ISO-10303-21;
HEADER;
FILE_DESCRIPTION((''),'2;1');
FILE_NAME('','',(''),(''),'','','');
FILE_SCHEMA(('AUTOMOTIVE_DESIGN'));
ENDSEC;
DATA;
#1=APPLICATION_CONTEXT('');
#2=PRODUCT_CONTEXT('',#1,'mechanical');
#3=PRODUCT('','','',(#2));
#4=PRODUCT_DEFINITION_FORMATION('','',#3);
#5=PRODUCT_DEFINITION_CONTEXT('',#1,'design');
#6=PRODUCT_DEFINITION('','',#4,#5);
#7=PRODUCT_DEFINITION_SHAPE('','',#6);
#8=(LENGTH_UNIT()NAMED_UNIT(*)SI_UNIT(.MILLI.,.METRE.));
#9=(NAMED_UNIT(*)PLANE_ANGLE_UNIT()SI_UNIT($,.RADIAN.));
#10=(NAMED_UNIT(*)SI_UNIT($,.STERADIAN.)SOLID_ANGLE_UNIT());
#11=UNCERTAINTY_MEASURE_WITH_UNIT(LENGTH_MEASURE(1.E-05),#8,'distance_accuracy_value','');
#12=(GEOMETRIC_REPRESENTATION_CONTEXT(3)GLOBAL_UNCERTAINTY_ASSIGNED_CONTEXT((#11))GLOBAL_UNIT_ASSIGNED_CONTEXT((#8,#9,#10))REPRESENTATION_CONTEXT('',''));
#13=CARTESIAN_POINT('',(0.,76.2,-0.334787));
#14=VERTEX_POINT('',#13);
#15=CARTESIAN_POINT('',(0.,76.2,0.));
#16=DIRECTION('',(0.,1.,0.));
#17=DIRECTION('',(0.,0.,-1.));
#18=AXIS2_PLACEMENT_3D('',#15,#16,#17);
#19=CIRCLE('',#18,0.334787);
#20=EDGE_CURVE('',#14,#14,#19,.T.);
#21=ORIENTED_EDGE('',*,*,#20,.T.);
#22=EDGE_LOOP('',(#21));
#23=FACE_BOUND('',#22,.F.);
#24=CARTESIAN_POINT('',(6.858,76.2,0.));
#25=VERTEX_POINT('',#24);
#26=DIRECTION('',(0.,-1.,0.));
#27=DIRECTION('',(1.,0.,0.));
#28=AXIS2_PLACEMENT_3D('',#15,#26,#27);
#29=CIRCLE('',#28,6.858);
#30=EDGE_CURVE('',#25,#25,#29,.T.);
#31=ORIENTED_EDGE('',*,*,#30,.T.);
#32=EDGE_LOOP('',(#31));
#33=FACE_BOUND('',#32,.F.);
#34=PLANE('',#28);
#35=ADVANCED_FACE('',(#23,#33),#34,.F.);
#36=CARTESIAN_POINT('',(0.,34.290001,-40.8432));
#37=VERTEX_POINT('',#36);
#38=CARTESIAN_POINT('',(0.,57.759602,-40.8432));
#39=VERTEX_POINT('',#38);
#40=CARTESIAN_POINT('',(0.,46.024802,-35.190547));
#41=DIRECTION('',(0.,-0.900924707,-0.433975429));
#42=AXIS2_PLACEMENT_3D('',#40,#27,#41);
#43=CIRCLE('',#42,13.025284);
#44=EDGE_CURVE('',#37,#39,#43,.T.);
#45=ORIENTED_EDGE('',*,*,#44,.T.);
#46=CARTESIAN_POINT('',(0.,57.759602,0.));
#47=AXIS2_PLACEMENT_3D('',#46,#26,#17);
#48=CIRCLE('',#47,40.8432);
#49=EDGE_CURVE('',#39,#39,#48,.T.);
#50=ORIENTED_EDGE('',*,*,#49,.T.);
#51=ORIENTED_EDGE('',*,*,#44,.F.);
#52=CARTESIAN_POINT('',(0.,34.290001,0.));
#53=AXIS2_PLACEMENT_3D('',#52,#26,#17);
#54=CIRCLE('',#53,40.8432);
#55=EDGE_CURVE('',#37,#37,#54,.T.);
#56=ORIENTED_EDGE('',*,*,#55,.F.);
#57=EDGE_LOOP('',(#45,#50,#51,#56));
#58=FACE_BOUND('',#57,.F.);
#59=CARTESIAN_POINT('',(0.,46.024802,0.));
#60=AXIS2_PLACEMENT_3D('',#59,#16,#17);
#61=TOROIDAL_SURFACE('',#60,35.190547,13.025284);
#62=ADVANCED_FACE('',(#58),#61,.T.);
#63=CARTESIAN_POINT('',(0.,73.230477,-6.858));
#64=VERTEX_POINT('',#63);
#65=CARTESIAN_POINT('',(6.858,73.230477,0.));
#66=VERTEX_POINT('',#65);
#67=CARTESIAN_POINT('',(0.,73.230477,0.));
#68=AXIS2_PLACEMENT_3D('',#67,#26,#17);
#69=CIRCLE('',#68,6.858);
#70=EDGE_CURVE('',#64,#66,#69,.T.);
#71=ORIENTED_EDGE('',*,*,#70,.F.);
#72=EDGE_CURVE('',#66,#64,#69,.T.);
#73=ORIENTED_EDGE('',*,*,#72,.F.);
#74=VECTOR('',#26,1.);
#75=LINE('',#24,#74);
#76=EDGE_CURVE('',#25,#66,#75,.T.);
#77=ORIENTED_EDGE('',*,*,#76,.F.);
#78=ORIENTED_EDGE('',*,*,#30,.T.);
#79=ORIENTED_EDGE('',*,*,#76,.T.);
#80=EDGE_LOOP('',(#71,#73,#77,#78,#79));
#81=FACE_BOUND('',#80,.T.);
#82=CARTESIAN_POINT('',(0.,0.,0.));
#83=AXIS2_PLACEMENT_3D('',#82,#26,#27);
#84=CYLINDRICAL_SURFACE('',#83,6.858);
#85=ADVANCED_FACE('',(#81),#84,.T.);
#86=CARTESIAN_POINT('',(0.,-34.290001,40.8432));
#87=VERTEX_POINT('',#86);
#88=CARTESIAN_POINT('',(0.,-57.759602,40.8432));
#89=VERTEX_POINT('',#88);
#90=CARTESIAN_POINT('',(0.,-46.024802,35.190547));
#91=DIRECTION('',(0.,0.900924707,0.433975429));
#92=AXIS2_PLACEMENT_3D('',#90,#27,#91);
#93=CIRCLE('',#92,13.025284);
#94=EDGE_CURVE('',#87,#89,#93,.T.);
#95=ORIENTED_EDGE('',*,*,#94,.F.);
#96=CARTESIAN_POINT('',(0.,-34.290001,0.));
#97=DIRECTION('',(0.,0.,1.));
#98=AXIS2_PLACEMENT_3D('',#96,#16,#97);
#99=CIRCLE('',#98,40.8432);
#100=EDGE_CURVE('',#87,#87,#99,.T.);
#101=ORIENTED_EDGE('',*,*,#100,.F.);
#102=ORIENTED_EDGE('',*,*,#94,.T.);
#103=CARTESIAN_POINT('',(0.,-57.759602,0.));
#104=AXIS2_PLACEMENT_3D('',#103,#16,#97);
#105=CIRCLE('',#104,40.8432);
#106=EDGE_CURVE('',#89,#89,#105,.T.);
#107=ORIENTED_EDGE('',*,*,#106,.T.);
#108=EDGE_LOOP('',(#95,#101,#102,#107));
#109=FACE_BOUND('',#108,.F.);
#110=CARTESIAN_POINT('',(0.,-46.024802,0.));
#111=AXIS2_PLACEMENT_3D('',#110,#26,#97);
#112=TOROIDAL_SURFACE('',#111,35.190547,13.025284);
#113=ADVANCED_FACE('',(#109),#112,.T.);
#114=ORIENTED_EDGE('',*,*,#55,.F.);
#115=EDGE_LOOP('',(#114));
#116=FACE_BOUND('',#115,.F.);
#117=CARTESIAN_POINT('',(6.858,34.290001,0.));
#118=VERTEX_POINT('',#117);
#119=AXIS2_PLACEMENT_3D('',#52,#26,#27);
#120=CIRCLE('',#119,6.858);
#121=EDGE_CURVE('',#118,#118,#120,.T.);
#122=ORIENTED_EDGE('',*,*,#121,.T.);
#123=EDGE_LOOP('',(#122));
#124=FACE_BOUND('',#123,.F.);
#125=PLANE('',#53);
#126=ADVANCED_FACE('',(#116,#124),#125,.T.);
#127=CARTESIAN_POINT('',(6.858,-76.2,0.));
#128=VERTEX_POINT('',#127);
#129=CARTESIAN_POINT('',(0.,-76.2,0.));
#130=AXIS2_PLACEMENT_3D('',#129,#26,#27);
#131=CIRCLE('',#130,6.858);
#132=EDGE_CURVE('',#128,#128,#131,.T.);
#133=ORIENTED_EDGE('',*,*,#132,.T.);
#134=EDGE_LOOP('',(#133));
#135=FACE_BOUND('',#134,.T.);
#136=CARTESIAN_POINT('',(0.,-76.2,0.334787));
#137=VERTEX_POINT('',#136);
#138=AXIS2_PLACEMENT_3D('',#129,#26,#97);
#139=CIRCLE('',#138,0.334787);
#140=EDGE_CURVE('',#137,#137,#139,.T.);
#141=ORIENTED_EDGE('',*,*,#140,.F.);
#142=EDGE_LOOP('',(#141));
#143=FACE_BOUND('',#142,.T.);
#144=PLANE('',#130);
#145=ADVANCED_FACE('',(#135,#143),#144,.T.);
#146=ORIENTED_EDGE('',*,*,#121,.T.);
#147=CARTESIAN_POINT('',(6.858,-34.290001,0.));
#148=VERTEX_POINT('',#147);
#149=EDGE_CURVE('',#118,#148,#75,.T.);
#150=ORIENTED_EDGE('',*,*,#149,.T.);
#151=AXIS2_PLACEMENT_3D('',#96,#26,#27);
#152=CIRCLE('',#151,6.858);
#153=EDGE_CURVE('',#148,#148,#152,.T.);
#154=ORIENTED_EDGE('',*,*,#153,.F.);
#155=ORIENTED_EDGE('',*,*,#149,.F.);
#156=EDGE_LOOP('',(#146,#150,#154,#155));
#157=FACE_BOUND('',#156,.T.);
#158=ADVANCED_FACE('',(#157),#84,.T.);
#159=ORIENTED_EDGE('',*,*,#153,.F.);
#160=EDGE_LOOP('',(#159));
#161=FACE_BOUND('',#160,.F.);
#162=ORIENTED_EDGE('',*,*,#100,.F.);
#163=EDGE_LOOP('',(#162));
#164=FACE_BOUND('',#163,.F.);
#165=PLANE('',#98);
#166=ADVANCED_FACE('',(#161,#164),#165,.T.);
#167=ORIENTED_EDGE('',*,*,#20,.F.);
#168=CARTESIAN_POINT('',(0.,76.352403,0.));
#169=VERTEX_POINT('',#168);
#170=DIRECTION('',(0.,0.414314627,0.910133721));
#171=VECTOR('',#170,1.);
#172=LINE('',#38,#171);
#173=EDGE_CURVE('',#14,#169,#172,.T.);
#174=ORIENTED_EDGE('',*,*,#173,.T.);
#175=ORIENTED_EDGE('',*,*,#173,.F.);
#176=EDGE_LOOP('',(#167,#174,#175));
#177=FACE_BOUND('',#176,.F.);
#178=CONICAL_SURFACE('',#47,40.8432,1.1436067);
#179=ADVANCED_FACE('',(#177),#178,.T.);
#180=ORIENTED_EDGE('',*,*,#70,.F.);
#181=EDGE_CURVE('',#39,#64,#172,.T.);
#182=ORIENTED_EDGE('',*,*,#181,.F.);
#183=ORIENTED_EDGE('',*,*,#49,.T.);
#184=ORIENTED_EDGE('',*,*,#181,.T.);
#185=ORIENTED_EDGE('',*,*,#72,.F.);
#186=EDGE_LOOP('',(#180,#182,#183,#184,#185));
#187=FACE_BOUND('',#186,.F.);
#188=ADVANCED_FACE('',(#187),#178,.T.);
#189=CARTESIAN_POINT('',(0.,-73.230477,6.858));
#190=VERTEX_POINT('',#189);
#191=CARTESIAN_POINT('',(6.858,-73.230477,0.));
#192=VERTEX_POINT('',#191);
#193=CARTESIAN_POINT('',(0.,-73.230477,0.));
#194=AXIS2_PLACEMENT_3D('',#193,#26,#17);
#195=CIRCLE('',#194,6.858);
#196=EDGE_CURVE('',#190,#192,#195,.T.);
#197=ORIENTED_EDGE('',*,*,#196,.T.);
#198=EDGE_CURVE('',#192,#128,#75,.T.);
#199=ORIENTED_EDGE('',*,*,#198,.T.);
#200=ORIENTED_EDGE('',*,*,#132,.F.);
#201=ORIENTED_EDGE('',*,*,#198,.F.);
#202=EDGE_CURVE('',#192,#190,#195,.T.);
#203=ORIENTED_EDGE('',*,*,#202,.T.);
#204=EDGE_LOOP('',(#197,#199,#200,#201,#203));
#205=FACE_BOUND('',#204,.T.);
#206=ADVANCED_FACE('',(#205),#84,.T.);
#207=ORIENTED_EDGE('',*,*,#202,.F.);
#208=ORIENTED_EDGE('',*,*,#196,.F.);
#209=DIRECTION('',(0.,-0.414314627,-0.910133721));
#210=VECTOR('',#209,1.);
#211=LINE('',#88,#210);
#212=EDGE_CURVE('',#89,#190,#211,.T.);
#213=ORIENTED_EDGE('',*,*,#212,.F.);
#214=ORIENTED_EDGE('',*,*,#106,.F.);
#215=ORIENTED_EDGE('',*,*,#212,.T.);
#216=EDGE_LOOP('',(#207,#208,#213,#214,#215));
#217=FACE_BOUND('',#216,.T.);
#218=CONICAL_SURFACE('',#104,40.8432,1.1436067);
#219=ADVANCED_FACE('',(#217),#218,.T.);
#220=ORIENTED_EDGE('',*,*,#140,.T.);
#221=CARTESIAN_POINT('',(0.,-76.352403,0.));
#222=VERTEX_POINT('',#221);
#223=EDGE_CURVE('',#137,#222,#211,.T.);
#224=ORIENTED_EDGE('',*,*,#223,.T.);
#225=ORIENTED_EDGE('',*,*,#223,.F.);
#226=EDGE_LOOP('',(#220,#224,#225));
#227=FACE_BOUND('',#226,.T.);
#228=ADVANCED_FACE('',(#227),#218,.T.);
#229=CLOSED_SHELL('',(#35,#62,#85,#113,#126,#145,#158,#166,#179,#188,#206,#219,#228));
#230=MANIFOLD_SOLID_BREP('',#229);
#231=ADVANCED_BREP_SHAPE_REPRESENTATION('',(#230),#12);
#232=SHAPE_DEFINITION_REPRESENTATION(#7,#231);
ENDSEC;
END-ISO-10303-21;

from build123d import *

# Parameters (mm, degrees)
F0_R          = 6.858
F1_DEPTH      = 76.2
F1_DEPTH_BACK = 76.2


with BuildPart() as f1:
    # F0 (on Front) → F1 (new body, two sides)
    with BuildSketch(Plane.XZ) as f1_sk:
        Circle(F0_R)
    extrude(amount=F1_DEPTH)
    extrude(f1_sk.sketch, amount=-F1_DEPTH_BACK)

    # F2 (on Right) → F3 (revolve)
    with BuildSketch(Plane.YZ):
        with BuildLine():
            Line((-57.759602, 0), (-34.290001, 0))
            Line((-34.290001, 0), (-34.290001, 40.8432))
            ThreePointArc((-34.290001, 40.8432), (-46.024801, 48.215831), (-57.759602, 40.8432))
            Line((-57.759602, 40.8432), (-57.759602, 0))
        make_face()
    revolve(axis=Axis((0, -46.024801, 0), (0, 1, 0)))

    # F2 (on Right) → F4 (revolve)
    with BuildSketch(Plane.YZ):
        with BuildLine():
            Line((57.759602, 0), (34.290001, 0))
            Line((34.290001, 0), (34.290001, -40.8432))
            ThreePointArc((34.290001, -40.8432), (46.024801, -48.215831), (57.759602, -40.8432))
            Line((57.759602, -40.8432), (57.759602, 0))
        make_face()
    revolve(axis=Axis((0, 46.024801, 0), (0, -1, 0)))

    # F2 (on Right) → F5 (revolve)
    with BuildSketch(Plane.YZ):
        Polygon((76.352403, 0), (57.759602, 0), (57.759602, -40.8432), align=None)
    revolve(axis=Axis((0, 67.056002, 0), (0, -1, 0)))

    # F2 (on Right) → F6 (revolve)
    with BuildSketch(Plane.YZ):
        Polygon((-76.352403, 0), (-57.759602, 0), (-57.759602, 40.8432), align=None)
    revolve(axis=Axis((0, -67.056002, 0), (0, -1, 0)))


solid = f1.part
